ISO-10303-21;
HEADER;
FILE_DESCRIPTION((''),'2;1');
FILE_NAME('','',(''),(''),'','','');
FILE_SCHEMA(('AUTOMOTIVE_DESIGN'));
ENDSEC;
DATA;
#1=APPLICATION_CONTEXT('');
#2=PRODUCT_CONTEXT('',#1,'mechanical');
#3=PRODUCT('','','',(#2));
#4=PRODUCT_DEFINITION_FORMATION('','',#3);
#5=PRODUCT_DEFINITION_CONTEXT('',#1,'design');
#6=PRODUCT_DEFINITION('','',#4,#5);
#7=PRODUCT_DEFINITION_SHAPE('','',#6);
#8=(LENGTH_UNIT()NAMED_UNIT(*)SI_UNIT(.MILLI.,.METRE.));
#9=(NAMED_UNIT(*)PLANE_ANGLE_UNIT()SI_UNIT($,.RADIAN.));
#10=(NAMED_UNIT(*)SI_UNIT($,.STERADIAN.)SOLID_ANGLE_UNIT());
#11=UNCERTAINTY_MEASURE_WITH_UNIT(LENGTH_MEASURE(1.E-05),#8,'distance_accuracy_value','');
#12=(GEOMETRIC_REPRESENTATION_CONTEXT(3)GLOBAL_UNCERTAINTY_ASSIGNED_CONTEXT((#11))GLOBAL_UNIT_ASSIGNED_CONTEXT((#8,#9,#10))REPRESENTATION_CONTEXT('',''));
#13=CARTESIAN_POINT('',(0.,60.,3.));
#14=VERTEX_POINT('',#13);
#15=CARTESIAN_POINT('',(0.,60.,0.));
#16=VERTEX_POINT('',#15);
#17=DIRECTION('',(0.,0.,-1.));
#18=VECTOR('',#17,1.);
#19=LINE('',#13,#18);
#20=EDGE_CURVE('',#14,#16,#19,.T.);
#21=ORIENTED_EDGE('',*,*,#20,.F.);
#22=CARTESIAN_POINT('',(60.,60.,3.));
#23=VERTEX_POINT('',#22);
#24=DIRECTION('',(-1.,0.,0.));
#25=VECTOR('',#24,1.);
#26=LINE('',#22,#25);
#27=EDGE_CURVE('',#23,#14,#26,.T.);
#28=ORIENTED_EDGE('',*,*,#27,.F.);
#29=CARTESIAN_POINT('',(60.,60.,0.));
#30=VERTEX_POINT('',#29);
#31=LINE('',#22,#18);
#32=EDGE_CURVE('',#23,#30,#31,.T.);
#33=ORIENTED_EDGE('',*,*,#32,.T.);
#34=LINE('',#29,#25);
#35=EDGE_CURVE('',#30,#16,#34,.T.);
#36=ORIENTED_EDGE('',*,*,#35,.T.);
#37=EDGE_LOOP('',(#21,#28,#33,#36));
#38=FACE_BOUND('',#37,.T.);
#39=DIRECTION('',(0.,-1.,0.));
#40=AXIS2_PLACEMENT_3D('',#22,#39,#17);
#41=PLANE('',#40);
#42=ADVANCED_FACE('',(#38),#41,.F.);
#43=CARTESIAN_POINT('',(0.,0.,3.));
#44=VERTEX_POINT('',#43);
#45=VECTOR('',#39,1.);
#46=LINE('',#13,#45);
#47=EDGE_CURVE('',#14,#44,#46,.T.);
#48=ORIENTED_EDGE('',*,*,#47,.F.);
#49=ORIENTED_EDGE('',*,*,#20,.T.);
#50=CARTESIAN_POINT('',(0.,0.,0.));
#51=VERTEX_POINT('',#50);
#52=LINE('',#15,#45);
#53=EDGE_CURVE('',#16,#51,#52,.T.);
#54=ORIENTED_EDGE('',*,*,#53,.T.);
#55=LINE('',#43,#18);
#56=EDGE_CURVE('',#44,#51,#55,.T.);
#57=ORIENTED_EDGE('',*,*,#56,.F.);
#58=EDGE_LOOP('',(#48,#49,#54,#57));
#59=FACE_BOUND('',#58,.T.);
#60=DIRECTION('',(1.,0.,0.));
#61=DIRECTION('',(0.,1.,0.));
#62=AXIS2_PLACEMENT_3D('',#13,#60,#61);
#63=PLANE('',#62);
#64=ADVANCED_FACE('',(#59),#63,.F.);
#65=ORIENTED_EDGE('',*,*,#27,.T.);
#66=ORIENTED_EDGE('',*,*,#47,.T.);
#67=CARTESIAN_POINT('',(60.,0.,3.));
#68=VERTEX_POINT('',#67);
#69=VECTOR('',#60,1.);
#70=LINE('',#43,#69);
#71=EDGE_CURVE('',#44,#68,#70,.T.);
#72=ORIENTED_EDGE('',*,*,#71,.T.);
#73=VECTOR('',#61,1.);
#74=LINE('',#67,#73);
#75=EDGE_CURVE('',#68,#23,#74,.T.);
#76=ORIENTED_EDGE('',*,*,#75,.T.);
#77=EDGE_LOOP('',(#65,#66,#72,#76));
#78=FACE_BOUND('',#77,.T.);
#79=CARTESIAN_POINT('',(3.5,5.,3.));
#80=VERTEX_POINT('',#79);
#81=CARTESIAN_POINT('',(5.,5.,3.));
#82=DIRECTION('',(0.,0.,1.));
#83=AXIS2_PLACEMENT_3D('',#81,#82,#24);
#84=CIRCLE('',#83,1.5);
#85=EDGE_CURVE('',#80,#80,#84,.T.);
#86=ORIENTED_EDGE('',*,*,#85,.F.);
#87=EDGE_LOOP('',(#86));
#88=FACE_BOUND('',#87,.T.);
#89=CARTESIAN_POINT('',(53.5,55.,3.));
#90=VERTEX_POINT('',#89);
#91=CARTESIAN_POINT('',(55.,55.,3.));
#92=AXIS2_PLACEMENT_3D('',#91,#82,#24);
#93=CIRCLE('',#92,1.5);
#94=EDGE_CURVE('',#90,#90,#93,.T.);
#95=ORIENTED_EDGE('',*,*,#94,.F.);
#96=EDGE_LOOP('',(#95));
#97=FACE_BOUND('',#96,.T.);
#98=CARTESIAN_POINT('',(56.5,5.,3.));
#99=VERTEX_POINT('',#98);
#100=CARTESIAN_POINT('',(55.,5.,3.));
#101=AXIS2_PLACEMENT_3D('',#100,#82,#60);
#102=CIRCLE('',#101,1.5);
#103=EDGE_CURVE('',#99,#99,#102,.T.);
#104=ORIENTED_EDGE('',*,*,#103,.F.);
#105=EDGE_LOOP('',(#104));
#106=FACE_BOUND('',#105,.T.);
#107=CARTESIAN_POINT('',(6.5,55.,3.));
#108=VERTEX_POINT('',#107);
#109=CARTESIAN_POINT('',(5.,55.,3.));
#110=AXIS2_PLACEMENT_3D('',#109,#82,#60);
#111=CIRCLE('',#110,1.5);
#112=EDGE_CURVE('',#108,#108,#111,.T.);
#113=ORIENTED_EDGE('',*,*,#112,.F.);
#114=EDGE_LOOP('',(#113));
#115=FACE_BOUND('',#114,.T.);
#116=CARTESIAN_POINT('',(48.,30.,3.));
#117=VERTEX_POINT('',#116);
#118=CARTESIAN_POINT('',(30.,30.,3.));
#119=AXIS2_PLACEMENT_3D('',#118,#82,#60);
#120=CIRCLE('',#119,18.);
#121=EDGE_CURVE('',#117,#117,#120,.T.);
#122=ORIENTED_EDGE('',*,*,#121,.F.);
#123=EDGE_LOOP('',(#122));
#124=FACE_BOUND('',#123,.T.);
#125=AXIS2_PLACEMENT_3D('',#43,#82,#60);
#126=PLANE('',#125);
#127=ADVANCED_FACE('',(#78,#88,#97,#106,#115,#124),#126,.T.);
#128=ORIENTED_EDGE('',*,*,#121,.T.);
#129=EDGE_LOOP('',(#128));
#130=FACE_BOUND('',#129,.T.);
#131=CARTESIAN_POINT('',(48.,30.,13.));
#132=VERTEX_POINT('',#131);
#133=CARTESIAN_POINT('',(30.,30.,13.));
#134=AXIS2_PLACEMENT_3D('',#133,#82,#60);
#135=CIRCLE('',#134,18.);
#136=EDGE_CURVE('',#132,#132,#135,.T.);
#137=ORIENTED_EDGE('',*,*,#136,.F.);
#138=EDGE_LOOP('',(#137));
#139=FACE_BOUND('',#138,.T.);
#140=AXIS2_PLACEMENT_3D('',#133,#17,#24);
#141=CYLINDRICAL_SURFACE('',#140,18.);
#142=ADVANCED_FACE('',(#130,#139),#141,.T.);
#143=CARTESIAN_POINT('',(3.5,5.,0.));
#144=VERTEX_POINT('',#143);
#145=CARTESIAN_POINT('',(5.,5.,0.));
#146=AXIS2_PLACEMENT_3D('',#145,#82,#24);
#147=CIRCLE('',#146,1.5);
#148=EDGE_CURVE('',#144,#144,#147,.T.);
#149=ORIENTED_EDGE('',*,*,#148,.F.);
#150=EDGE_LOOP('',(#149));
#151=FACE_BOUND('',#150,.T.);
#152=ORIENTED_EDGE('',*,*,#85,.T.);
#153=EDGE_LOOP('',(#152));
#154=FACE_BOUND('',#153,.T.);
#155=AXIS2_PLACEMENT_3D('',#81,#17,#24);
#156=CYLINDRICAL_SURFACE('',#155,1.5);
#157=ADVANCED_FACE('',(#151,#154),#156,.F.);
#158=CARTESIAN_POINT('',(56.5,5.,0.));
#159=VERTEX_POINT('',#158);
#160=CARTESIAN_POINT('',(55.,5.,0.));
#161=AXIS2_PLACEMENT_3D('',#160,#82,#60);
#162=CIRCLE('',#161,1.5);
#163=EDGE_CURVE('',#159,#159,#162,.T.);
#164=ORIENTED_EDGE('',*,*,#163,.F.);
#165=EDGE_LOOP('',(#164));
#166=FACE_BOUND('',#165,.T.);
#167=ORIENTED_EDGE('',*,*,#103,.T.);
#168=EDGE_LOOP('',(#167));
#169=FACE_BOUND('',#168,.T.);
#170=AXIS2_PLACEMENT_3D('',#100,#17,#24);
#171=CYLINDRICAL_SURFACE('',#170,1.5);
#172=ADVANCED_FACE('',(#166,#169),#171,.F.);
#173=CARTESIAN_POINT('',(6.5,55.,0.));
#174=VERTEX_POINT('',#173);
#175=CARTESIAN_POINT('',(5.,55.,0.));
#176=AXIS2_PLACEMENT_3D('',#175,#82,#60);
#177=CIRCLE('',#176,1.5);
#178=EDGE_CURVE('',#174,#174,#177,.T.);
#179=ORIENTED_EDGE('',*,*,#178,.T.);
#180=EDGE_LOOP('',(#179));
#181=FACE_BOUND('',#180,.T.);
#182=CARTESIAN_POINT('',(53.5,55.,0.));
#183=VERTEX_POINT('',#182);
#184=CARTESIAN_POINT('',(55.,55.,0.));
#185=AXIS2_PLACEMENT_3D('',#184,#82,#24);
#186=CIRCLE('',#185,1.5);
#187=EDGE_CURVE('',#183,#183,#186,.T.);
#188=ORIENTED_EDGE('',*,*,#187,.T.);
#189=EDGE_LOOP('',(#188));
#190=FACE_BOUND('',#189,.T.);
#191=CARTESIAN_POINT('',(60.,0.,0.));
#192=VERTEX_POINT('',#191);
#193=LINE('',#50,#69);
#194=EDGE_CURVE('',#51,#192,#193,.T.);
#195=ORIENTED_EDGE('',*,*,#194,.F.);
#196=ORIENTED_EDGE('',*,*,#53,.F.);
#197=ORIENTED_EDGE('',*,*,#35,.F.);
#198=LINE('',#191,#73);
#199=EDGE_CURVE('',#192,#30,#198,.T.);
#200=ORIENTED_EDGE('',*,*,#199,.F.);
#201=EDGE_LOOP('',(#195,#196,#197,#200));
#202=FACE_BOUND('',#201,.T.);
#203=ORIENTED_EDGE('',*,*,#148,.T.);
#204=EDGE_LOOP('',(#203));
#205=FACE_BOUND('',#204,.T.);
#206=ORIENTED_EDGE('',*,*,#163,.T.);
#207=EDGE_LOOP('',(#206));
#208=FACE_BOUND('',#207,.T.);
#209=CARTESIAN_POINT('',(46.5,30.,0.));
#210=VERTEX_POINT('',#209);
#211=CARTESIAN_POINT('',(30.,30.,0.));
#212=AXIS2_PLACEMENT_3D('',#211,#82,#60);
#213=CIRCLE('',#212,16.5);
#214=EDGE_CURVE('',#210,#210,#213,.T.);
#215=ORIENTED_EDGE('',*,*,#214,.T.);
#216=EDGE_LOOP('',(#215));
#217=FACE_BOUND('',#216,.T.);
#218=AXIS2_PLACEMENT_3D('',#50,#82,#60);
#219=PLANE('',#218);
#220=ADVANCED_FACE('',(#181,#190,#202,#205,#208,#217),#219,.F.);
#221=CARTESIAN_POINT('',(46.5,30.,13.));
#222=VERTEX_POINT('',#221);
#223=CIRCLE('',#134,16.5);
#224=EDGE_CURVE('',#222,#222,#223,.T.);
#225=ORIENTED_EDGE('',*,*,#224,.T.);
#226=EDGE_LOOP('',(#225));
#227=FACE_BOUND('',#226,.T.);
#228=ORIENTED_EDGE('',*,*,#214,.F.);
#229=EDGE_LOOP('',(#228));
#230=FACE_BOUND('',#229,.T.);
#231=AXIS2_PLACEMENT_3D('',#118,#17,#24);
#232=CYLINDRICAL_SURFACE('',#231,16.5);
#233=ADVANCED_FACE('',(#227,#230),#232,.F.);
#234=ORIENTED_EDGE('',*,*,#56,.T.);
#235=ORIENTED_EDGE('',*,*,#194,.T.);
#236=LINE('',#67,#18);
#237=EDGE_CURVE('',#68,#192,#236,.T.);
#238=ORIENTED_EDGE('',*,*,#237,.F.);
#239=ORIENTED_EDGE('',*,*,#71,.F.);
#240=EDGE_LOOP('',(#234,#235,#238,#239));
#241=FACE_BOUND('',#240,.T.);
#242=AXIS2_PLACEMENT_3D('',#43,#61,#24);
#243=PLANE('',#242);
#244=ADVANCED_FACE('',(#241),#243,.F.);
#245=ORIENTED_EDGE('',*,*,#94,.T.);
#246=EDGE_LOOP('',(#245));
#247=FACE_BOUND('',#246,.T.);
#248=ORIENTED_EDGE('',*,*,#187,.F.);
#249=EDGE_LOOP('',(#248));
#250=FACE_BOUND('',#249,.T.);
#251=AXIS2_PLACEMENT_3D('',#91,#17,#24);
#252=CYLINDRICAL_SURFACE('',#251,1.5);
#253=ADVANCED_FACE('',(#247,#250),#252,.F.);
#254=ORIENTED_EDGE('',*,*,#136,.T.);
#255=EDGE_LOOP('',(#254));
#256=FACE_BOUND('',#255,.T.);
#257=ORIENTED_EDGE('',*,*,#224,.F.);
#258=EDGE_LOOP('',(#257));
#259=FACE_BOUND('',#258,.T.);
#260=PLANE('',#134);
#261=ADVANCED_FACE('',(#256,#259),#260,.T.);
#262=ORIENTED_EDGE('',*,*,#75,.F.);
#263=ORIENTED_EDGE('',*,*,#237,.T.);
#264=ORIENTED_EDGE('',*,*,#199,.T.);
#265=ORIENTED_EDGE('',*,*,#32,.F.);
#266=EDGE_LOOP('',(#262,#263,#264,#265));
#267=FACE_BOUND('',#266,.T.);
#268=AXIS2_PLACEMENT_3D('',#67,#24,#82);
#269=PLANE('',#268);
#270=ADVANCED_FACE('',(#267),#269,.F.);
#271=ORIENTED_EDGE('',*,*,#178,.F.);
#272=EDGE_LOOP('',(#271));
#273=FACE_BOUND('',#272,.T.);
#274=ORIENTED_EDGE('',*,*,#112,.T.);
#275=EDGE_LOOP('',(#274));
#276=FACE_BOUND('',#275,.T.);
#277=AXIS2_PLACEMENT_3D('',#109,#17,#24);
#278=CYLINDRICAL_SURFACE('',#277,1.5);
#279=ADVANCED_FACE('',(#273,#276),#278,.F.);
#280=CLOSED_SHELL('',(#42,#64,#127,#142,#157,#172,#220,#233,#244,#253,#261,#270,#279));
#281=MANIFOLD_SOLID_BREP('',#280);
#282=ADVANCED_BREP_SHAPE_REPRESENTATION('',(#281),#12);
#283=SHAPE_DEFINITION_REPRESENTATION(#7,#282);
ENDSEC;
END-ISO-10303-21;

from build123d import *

# Parameters (mm, degrees)
SKETCH1_W           = 60
SKETCH1_H           = 60
SKETCH1_R           = 16.5
SKETCH1_R_2         = 1.5
BOSS_EXTRUDE1_DEPTH = 3
SKETCH2_R           = 18
SKETCH2_R_2         = 16.5
BOSS_EXTRUDE2_DEPTH = 10


with BuildPart() as part:
    # Sketch1 → Boss-Extrude1 (new body)
    with BuildSketch(Plane.XY):
        with Locations((30, 30)):
            Rectangle(SKETCH1_W, SKETCH1_H)
        with Locations((30, 30)):
            Circle(SKETCH1_R, mode=Mode.SUBTRACT)
        with Locations((5, 55)):
            Circle(SKETCH1_R_2, mode=Mode.SUBTRACT)
        with Locations(Location((55, 55, 0), (0, 0, 180))):
            Circle(SKETCH1_R_2, mode=Mode.SUBTRACT)
        with Locations((55, 5)):
            Circle(SKETCH1_R_2, mode=Mode.SUBTRACT)
        with Locations(Location((5, 5, 0), (0, 0, 180))):
            Circle(SKETCH1_R_2, mode=Mode.SUBTRACT)
    extrude(amount=BOSS_EXTRUDE1_DEPTH)

    # Sketch2 → Boss-Extrude2 (add)
    with BuildSketch(Plane.XY.offset(3)):
        with Locations((30, 30)):
            Circle(SKETCH2_R)
        with Locations((30, 30)):
            Circle(SKETCH2_R_2, mode=Mode.SUBTRACT)
    extrude(amount=BOSS_EXTRUDE2_DEPTH)


solid = part.part
